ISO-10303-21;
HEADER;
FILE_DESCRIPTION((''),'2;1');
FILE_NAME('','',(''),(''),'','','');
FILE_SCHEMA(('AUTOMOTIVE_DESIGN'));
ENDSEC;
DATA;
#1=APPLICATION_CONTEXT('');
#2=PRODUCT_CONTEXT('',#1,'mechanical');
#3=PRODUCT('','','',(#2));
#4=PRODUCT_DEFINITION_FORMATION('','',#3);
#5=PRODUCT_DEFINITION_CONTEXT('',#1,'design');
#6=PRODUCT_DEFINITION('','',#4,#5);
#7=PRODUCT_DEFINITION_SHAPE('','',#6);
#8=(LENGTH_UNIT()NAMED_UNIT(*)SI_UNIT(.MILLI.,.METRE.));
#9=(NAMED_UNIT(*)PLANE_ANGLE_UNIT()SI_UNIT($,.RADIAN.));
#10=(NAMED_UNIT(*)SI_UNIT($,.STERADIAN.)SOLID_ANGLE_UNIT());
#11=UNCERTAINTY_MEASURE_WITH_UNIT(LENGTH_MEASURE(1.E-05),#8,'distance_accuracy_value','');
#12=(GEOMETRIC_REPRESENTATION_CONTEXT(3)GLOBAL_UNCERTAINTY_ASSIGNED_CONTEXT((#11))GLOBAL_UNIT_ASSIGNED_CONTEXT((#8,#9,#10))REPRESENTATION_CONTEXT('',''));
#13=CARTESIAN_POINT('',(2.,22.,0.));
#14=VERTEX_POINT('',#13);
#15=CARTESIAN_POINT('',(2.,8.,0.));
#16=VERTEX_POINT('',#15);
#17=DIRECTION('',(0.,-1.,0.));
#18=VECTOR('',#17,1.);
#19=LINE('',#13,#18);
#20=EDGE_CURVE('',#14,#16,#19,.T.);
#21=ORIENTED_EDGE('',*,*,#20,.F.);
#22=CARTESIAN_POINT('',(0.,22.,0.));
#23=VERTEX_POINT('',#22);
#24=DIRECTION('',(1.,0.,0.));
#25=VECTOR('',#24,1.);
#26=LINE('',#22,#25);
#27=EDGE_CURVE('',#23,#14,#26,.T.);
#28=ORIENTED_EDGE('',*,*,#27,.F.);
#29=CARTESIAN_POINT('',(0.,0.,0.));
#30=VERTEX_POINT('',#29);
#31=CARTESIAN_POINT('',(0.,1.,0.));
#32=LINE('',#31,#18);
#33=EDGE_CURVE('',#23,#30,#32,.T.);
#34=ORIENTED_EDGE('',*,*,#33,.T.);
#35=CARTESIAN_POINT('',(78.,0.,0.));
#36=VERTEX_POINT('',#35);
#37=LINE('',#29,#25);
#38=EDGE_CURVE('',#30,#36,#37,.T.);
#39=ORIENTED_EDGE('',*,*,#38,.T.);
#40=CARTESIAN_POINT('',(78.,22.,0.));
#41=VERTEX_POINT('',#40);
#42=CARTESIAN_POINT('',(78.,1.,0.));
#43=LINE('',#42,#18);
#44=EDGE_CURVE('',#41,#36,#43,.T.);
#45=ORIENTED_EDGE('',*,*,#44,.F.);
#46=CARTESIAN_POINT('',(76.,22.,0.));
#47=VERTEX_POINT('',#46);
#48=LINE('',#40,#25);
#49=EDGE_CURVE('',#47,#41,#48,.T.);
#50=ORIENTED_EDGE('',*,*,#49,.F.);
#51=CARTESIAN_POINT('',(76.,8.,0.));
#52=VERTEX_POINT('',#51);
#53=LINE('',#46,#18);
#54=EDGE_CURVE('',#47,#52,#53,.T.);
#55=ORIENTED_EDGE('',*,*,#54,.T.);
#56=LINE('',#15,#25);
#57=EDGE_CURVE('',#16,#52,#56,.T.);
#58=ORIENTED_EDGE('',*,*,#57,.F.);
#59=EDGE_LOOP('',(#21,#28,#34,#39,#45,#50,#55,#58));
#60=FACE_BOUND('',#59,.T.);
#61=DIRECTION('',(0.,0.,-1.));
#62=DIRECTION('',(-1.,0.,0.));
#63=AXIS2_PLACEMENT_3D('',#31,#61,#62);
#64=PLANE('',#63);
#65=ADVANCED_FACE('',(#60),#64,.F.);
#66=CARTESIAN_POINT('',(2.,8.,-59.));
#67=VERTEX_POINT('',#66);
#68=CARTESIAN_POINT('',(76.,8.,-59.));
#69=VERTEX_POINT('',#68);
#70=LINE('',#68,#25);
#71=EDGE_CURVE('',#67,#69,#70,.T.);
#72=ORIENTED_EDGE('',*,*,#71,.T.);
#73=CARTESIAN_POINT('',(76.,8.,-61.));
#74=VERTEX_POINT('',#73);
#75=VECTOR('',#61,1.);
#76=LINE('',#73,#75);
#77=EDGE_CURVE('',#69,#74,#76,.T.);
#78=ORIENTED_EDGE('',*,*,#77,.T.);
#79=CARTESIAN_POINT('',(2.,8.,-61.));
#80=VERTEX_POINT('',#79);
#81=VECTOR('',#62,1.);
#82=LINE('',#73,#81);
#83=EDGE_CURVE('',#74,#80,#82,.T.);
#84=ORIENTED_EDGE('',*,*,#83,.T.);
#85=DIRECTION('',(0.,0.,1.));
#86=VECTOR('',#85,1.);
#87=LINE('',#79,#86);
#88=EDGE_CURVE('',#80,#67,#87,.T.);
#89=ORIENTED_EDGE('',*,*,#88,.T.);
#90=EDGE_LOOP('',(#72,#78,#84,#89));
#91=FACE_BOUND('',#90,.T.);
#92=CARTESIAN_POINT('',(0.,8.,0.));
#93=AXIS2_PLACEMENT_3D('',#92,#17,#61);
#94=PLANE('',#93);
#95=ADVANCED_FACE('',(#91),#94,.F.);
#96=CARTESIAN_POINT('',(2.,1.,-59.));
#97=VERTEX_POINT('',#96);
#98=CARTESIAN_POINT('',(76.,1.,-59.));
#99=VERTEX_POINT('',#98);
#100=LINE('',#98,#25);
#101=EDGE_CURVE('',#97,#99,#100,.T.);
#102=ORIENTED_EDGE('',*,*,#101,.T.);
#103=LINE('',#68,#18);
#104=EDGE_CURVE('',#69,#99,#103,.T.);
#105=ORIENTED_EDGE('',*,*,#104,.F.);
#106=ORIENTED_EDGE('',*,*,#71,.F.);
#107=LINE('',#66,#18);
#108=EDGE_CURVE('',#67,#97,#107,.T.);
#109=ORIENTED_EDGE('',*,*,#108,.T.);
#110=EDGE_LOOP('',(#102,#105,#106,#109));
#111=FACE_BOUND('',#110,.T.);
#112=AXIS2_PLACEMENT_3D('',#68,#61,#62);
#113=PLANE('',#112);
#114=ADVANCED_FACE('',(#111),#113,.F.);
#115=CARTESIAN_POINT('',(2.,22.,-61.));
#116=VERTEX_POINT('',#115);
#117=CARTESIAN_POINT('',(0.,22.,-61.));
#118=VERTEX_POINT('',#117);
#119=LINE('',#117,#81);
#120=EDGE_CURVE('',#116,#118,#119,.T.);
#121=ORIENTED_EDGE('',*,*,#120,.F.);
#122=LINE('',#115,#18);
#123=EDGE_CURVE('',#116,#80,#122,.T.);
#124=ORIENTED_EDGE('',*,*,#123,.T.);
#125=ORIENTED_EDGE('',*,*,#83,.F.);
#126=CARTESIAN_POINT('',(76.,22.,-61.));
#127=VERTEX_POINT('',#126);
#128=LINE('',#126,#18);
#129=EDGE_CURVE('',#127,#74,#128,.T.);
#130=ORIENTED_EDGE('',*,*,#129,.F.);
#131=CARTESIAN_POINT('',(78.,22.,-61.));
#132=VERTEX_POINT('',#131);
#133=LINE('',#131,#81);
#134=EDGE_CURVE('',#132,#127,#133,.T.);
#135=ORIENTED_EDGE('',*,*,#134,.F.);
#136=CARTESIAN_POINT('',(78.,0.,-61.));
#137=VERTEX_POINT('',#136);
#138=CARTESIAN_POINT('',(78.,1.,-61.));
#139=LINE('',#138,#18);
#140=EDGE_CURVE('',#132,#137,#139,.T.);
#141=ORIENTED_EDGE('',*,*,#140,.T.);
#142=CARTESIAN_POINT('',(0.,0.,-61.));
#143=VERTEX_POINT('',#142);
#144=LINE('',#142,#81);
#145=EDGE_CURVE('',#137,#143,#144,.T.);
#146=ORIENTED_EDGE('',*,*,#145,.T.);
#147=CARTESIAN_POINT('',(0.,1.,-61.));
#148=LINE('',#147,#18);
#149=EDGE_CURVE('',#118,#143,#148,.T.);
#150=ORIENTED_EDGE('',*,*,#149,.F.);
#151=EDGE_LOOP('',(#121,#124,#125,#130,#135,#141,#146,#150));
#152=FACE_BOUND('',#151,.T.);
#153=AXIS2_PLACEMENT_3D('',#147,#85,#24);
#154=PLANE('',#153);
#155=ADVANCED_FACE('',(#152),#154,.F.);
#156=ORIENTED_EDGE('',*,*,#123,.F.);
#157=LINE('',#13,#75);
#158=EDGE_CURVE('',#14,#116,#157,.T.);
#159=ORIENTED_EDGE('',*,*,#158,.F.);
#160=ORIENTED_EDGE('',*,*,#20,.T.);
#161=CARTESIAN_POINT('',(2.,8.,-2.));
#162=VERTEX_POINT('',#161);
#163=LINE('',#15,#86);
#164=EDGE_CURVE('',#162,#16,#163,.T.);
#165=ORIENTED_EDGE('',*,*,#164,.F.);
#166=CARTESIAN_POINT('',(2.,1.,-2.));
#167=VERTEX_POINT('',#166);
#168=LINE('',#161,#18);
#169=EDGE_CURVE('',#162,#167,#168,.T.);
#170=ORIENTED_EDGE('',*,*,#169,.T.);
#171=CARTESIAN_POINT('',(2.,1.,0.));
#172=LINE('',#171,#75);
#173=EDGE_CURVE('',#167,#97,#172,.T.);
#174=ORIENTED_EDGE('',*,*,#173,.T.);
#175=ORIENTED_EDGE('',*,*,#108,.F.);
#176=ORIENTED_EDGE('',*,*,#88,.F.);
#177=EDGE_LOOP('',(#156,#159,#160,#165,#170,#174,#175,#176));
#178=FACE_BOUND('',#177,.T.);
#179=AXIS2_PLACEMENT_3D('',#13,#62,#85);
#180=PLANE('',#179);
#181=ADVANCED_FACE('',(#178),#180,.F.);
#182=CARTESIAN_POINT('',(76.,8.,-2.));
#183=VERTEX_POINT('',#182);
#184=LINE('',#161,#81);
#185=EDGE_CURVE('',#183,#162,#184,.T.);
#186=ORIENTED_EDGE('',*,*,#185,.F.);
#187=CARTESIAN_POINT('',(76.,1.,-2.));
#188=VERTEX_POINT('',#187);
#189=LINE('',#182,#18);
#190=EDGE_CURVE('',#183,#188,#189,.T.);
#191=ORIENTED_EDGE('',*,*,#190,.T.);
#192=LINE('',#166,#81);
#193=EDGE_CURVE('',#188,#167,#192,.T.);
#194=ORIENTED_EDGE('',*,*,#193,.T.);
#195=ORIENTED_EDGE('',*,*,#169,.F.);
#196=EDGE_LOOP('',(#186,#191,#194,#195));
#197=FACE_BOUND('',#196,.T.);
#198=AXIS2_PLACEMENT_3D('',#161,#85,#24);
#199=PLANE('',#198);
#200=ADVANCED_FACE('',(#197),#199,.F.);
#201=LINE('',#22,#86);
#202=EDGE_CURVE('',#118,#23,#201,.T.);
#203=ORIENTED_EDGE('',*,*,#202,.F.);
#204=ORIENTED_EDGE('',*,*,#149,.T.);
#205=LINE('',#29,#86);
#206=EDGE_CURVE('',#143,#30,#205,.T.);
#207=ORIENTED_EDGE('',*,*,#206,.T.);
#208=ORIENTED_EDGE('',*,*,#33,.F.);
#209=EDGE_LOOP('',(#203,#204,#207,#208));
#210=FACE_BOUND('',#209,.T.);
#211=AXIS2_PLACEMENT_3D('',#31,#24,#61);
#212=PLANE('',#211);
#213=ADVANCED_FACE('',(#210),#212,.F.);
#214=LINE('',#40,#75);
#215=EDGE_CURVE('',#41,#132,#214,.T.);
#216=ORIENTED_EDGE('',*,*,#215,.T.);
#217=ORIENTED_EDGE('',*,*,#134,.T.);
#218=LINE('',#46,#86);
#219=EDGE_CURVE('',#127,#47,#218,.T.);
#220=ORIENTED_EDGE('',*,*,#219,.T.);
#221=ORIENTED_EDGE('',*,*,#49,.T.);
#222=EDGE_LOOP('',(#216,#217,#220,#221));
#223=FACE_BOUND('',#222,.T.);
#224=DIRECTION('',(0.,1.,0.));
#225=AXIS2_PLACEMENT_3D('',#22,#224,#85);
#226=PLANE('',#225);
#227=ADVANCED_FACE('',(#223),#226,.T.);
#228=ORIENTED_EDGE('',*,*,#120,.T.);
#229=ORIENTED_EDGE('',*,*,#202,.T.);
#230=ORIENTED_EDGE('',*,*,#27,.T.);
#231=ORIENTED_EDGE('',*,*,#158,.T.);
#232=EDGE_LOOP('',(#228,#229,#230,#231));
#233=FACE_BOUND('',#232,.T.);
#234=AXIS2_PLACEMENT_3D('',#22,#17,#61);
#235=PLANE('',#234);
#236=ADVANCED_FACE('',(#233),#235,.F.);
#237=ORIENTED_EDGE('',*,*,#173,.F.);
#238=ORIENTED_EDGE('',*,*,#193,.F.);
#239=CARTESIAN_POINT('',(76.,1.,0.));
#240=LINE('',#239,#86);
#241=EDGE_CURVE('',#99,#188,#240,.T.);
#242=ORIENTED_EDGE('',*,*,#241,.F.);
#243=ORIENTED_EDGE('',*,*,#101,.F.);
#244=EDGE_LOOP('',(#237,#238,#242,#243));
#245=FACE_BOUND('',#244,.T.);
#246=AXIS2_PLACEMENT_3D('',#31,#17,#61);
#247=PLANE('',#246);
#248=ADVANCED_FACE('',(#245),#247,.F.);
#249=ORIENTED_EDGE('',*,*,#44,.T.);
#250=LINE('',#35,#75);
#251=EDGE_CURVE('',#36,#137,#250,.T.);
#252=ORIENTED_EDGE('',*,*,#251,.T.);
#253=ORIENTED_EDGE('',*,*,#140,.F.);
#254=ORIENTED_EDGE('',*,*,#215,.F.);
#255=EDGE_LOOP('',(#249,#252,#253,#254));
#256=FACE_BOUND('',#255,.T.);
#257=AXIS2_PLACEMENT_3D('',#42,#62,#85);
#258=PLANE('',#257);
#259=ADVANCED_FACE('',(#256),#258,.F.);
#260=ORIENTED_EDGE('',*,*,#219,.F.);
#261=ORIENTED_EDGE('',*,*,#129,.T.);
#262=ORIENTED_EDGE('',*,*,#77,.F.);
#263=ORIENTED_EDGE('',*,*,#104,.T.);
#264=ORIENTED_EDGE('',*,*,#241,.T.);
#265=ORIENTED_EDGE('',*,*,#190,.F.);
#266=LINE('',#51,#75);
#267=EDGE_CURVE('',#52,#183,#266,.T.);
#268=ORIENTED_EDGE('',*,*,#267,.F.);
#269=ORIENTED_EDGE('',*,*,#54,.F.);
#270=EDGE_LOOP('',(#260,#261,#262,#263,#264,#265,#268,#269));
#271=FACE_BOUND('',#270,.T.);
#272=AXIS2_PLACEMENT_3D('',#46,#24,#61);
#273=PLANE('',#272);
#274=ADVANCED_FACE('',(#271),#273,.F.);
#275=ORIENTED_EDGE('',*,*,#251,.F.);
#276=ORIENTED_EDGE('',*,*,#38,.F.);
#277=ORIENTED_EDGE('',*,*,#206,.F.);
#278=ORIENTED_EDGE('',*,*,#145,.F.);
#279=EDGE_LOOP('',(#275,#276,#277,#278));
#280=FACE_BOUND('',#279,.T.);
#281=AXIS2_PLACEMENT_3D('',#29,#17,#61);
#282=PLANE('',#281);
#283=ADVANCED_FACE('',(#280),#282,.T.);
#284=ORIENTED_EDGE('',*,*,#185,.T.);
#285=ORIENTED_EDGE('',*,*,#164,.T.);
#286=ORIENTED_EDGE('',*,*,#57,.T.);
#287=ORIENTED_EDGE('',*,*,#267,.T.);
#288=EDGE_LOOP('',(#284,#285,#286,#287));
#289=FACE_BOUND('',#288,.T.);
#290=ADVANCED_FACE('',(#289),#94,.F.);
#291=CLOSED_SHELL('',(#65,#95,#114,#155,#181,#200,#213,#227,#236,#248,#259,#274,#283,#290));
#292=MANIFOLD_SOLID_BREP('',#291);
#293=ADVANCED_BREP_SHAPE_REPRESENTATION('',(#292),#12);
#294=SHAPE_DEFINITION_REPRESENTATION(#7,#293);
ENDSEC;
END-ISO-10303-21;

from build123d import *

# Parameters (mm, degrees)
SKETCH2_W           = 78
SKETCH2_H           = 61
BOSS_EXTRUDE1_DEPTH = 1
SKETCH3_W           = 2
SKETCH3_H           = 61
BOSS_EXTRUDE2_DEPTH = 21
SKETCH4_W           = 74
SKETCH4_H           = 2
BOSS_EXTRUDE3_DEPTH = 7


with BuildPart() as part:
    # Sketch2 → Boss-Extrude1 (new body)
    with BuildSketch(Plane(origin=(0, 0, 0), x_dir=(1, 0, 0), z_dir=(0, 1, 0))):
        with Locations((39, 30.5)):
            Rectangle(SKETCH2_W, SKETCH2_H)
    extrude(amount=BOSS_EXTRUDE1_DEPTH)

    # Sketch3 → Boss-Extrude2 (add)
    with BuildSketch(Plane(origin=(0, 1, 0), x_dir=(1, 0, 0), z_dir=(0, 1, 0))):
        with Locations((1, 30.5)):
            Rectangle(SKETCH3_W, SKETCH3_H)
        with Locations((77, 30.5)):
            Rectangle(SKETCH3_W, SKETCH3_H)
    extrude(amount=BOSS_EXTRUDE2_DEPTH)

    # Sketch4 → Boss-Extrude3 (add)
    with BuildSketch(Plane(origin=(0, 1, 0), x_dir=(1, 0, 0), z_dir=(0, 1, 0))):
        with Locations((39, 1)):
            Rectangle(SKETCH4_W, SKETCH4_H)
        with Locations((39, 60)):
            Rectangle(SKETCH4_W, SKETCH4_H)
    extrude(amount=BOSS_EXTRUDE3_DEPTH)


solid = part.part
